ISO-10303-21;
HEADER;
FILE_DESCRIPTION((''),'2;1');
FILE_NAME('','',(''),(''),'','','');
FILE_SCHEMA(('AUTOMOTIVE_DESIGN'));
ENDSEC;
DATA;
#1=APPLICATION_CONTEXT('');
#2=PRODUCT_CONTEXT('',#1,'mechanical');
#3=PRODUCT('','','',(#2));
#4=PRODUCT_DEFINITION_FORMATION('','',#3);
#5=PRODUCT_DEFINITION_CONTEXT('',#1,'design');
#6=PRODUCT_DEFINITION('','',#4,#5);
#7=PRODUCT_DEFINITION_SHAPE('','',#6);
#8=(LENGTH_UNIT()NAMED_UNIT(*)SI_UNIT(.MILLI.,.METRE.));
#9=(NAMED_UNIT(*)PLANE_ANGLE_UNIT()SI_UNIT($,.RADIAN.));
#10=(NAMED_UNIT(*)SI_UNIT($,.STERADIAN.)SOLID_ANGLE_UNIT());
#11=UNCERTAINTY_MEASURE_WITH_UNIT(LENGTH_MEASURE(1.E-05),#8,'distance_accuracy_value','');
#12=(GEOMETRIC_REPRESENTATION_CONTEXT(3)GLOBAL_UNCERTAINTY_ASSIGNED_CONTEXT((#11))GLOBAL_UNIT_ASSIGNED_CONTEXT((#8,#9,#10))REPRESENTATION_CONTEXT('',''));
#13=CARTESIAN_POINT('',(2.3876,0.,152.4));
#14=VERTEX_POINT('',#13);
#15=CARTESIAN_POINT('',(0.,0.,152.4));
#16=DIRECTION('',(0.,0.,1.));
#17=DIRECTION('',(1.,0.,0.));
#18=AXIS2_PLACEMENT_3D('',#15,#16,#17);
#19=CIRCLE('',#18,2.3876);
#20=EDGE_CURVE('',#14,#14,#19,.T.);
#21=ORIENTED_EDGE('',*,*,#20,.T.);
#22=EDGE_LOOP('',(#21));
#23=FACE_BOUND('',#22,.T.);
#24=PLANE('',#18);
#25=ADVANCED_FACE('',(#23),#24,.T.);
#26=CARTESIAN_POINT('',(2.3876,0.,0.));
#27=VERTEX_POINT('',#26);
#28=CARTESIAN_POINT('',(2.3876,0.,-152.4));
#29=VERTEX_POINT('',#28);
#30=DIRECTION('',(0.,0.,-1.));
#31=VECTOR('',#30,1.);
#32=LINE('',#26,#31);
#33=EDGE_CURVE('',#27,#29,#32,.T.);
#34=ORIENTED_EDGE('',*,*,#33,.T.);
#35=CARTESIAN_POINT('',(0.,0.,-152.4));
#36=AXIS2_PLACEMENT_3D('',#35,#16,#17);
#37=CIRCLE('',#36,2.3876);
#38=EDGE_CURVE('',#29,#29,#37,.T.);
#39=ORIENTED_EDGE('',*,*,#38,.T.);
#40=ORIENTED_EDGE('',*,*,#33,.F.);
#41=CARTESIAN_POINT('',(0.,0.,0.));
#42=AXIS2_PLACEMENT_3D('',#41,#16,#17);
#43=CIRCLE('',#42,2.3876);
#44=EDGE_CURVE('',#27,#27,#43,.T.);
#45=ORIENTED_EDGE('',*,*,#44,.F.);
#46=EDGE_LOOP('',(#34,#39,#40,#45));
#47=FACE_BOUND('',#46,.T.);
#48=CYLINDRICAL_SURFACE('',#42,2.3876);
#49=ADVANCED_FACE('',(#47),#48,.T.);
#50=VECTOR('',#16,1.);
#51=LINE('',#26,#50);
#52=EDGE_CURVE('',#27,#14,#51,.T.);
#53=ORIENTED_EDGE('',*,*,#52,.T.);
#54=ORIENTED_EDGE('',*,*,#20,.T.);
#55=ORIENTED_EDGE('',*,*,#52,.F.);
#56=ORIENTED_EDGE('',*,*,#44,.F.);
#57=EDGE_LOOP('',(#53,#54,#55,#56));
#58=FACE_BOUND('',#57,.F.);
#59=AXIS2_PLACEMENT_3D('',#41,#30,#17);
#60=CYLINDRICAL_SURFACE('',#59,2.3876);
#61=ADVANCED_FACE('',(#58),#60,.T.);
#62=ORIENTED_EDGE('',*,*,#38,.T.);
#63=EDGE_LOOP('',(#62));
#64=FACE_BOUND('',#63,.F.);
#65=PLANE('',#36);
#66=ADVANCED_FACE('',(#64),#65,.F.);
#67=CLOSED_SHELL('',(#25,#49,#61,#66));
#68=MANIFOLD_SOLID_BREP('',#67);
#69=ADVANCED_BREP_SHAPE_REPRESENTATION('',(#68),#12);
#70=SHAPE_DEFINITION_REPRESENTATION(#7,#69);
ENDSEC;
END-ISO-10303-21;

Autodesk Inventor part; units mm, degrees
ref_plane "YZ Plane" through (0, 0, 0) normal (1, 0, 0) x (0, 1, 0)
ref_plane "XZ Plane" through (0, 0, 0) normal (0, 1, 0) x (-1, 0, 0)
ref_plane "XY Plane" through (0, 0, 0) normal (0, 0, 1) x (1, 0, 0)
sketch "Sketch1" plane through (0, 0, 0) normal (0, 0, 1) x (1, 0, 0)
  circle A0 centre (0, 0) radius 2.3876
  dimension "d0" = 4.7752
extrude "Extrusion1" add sketch "Sketch1" along normal mid plane 304.8
thread "Thread1" size "10-24 UNC" class "2A" standard "ANSI Unified Screw Threads" full length
properties part number "LeadScrew"
